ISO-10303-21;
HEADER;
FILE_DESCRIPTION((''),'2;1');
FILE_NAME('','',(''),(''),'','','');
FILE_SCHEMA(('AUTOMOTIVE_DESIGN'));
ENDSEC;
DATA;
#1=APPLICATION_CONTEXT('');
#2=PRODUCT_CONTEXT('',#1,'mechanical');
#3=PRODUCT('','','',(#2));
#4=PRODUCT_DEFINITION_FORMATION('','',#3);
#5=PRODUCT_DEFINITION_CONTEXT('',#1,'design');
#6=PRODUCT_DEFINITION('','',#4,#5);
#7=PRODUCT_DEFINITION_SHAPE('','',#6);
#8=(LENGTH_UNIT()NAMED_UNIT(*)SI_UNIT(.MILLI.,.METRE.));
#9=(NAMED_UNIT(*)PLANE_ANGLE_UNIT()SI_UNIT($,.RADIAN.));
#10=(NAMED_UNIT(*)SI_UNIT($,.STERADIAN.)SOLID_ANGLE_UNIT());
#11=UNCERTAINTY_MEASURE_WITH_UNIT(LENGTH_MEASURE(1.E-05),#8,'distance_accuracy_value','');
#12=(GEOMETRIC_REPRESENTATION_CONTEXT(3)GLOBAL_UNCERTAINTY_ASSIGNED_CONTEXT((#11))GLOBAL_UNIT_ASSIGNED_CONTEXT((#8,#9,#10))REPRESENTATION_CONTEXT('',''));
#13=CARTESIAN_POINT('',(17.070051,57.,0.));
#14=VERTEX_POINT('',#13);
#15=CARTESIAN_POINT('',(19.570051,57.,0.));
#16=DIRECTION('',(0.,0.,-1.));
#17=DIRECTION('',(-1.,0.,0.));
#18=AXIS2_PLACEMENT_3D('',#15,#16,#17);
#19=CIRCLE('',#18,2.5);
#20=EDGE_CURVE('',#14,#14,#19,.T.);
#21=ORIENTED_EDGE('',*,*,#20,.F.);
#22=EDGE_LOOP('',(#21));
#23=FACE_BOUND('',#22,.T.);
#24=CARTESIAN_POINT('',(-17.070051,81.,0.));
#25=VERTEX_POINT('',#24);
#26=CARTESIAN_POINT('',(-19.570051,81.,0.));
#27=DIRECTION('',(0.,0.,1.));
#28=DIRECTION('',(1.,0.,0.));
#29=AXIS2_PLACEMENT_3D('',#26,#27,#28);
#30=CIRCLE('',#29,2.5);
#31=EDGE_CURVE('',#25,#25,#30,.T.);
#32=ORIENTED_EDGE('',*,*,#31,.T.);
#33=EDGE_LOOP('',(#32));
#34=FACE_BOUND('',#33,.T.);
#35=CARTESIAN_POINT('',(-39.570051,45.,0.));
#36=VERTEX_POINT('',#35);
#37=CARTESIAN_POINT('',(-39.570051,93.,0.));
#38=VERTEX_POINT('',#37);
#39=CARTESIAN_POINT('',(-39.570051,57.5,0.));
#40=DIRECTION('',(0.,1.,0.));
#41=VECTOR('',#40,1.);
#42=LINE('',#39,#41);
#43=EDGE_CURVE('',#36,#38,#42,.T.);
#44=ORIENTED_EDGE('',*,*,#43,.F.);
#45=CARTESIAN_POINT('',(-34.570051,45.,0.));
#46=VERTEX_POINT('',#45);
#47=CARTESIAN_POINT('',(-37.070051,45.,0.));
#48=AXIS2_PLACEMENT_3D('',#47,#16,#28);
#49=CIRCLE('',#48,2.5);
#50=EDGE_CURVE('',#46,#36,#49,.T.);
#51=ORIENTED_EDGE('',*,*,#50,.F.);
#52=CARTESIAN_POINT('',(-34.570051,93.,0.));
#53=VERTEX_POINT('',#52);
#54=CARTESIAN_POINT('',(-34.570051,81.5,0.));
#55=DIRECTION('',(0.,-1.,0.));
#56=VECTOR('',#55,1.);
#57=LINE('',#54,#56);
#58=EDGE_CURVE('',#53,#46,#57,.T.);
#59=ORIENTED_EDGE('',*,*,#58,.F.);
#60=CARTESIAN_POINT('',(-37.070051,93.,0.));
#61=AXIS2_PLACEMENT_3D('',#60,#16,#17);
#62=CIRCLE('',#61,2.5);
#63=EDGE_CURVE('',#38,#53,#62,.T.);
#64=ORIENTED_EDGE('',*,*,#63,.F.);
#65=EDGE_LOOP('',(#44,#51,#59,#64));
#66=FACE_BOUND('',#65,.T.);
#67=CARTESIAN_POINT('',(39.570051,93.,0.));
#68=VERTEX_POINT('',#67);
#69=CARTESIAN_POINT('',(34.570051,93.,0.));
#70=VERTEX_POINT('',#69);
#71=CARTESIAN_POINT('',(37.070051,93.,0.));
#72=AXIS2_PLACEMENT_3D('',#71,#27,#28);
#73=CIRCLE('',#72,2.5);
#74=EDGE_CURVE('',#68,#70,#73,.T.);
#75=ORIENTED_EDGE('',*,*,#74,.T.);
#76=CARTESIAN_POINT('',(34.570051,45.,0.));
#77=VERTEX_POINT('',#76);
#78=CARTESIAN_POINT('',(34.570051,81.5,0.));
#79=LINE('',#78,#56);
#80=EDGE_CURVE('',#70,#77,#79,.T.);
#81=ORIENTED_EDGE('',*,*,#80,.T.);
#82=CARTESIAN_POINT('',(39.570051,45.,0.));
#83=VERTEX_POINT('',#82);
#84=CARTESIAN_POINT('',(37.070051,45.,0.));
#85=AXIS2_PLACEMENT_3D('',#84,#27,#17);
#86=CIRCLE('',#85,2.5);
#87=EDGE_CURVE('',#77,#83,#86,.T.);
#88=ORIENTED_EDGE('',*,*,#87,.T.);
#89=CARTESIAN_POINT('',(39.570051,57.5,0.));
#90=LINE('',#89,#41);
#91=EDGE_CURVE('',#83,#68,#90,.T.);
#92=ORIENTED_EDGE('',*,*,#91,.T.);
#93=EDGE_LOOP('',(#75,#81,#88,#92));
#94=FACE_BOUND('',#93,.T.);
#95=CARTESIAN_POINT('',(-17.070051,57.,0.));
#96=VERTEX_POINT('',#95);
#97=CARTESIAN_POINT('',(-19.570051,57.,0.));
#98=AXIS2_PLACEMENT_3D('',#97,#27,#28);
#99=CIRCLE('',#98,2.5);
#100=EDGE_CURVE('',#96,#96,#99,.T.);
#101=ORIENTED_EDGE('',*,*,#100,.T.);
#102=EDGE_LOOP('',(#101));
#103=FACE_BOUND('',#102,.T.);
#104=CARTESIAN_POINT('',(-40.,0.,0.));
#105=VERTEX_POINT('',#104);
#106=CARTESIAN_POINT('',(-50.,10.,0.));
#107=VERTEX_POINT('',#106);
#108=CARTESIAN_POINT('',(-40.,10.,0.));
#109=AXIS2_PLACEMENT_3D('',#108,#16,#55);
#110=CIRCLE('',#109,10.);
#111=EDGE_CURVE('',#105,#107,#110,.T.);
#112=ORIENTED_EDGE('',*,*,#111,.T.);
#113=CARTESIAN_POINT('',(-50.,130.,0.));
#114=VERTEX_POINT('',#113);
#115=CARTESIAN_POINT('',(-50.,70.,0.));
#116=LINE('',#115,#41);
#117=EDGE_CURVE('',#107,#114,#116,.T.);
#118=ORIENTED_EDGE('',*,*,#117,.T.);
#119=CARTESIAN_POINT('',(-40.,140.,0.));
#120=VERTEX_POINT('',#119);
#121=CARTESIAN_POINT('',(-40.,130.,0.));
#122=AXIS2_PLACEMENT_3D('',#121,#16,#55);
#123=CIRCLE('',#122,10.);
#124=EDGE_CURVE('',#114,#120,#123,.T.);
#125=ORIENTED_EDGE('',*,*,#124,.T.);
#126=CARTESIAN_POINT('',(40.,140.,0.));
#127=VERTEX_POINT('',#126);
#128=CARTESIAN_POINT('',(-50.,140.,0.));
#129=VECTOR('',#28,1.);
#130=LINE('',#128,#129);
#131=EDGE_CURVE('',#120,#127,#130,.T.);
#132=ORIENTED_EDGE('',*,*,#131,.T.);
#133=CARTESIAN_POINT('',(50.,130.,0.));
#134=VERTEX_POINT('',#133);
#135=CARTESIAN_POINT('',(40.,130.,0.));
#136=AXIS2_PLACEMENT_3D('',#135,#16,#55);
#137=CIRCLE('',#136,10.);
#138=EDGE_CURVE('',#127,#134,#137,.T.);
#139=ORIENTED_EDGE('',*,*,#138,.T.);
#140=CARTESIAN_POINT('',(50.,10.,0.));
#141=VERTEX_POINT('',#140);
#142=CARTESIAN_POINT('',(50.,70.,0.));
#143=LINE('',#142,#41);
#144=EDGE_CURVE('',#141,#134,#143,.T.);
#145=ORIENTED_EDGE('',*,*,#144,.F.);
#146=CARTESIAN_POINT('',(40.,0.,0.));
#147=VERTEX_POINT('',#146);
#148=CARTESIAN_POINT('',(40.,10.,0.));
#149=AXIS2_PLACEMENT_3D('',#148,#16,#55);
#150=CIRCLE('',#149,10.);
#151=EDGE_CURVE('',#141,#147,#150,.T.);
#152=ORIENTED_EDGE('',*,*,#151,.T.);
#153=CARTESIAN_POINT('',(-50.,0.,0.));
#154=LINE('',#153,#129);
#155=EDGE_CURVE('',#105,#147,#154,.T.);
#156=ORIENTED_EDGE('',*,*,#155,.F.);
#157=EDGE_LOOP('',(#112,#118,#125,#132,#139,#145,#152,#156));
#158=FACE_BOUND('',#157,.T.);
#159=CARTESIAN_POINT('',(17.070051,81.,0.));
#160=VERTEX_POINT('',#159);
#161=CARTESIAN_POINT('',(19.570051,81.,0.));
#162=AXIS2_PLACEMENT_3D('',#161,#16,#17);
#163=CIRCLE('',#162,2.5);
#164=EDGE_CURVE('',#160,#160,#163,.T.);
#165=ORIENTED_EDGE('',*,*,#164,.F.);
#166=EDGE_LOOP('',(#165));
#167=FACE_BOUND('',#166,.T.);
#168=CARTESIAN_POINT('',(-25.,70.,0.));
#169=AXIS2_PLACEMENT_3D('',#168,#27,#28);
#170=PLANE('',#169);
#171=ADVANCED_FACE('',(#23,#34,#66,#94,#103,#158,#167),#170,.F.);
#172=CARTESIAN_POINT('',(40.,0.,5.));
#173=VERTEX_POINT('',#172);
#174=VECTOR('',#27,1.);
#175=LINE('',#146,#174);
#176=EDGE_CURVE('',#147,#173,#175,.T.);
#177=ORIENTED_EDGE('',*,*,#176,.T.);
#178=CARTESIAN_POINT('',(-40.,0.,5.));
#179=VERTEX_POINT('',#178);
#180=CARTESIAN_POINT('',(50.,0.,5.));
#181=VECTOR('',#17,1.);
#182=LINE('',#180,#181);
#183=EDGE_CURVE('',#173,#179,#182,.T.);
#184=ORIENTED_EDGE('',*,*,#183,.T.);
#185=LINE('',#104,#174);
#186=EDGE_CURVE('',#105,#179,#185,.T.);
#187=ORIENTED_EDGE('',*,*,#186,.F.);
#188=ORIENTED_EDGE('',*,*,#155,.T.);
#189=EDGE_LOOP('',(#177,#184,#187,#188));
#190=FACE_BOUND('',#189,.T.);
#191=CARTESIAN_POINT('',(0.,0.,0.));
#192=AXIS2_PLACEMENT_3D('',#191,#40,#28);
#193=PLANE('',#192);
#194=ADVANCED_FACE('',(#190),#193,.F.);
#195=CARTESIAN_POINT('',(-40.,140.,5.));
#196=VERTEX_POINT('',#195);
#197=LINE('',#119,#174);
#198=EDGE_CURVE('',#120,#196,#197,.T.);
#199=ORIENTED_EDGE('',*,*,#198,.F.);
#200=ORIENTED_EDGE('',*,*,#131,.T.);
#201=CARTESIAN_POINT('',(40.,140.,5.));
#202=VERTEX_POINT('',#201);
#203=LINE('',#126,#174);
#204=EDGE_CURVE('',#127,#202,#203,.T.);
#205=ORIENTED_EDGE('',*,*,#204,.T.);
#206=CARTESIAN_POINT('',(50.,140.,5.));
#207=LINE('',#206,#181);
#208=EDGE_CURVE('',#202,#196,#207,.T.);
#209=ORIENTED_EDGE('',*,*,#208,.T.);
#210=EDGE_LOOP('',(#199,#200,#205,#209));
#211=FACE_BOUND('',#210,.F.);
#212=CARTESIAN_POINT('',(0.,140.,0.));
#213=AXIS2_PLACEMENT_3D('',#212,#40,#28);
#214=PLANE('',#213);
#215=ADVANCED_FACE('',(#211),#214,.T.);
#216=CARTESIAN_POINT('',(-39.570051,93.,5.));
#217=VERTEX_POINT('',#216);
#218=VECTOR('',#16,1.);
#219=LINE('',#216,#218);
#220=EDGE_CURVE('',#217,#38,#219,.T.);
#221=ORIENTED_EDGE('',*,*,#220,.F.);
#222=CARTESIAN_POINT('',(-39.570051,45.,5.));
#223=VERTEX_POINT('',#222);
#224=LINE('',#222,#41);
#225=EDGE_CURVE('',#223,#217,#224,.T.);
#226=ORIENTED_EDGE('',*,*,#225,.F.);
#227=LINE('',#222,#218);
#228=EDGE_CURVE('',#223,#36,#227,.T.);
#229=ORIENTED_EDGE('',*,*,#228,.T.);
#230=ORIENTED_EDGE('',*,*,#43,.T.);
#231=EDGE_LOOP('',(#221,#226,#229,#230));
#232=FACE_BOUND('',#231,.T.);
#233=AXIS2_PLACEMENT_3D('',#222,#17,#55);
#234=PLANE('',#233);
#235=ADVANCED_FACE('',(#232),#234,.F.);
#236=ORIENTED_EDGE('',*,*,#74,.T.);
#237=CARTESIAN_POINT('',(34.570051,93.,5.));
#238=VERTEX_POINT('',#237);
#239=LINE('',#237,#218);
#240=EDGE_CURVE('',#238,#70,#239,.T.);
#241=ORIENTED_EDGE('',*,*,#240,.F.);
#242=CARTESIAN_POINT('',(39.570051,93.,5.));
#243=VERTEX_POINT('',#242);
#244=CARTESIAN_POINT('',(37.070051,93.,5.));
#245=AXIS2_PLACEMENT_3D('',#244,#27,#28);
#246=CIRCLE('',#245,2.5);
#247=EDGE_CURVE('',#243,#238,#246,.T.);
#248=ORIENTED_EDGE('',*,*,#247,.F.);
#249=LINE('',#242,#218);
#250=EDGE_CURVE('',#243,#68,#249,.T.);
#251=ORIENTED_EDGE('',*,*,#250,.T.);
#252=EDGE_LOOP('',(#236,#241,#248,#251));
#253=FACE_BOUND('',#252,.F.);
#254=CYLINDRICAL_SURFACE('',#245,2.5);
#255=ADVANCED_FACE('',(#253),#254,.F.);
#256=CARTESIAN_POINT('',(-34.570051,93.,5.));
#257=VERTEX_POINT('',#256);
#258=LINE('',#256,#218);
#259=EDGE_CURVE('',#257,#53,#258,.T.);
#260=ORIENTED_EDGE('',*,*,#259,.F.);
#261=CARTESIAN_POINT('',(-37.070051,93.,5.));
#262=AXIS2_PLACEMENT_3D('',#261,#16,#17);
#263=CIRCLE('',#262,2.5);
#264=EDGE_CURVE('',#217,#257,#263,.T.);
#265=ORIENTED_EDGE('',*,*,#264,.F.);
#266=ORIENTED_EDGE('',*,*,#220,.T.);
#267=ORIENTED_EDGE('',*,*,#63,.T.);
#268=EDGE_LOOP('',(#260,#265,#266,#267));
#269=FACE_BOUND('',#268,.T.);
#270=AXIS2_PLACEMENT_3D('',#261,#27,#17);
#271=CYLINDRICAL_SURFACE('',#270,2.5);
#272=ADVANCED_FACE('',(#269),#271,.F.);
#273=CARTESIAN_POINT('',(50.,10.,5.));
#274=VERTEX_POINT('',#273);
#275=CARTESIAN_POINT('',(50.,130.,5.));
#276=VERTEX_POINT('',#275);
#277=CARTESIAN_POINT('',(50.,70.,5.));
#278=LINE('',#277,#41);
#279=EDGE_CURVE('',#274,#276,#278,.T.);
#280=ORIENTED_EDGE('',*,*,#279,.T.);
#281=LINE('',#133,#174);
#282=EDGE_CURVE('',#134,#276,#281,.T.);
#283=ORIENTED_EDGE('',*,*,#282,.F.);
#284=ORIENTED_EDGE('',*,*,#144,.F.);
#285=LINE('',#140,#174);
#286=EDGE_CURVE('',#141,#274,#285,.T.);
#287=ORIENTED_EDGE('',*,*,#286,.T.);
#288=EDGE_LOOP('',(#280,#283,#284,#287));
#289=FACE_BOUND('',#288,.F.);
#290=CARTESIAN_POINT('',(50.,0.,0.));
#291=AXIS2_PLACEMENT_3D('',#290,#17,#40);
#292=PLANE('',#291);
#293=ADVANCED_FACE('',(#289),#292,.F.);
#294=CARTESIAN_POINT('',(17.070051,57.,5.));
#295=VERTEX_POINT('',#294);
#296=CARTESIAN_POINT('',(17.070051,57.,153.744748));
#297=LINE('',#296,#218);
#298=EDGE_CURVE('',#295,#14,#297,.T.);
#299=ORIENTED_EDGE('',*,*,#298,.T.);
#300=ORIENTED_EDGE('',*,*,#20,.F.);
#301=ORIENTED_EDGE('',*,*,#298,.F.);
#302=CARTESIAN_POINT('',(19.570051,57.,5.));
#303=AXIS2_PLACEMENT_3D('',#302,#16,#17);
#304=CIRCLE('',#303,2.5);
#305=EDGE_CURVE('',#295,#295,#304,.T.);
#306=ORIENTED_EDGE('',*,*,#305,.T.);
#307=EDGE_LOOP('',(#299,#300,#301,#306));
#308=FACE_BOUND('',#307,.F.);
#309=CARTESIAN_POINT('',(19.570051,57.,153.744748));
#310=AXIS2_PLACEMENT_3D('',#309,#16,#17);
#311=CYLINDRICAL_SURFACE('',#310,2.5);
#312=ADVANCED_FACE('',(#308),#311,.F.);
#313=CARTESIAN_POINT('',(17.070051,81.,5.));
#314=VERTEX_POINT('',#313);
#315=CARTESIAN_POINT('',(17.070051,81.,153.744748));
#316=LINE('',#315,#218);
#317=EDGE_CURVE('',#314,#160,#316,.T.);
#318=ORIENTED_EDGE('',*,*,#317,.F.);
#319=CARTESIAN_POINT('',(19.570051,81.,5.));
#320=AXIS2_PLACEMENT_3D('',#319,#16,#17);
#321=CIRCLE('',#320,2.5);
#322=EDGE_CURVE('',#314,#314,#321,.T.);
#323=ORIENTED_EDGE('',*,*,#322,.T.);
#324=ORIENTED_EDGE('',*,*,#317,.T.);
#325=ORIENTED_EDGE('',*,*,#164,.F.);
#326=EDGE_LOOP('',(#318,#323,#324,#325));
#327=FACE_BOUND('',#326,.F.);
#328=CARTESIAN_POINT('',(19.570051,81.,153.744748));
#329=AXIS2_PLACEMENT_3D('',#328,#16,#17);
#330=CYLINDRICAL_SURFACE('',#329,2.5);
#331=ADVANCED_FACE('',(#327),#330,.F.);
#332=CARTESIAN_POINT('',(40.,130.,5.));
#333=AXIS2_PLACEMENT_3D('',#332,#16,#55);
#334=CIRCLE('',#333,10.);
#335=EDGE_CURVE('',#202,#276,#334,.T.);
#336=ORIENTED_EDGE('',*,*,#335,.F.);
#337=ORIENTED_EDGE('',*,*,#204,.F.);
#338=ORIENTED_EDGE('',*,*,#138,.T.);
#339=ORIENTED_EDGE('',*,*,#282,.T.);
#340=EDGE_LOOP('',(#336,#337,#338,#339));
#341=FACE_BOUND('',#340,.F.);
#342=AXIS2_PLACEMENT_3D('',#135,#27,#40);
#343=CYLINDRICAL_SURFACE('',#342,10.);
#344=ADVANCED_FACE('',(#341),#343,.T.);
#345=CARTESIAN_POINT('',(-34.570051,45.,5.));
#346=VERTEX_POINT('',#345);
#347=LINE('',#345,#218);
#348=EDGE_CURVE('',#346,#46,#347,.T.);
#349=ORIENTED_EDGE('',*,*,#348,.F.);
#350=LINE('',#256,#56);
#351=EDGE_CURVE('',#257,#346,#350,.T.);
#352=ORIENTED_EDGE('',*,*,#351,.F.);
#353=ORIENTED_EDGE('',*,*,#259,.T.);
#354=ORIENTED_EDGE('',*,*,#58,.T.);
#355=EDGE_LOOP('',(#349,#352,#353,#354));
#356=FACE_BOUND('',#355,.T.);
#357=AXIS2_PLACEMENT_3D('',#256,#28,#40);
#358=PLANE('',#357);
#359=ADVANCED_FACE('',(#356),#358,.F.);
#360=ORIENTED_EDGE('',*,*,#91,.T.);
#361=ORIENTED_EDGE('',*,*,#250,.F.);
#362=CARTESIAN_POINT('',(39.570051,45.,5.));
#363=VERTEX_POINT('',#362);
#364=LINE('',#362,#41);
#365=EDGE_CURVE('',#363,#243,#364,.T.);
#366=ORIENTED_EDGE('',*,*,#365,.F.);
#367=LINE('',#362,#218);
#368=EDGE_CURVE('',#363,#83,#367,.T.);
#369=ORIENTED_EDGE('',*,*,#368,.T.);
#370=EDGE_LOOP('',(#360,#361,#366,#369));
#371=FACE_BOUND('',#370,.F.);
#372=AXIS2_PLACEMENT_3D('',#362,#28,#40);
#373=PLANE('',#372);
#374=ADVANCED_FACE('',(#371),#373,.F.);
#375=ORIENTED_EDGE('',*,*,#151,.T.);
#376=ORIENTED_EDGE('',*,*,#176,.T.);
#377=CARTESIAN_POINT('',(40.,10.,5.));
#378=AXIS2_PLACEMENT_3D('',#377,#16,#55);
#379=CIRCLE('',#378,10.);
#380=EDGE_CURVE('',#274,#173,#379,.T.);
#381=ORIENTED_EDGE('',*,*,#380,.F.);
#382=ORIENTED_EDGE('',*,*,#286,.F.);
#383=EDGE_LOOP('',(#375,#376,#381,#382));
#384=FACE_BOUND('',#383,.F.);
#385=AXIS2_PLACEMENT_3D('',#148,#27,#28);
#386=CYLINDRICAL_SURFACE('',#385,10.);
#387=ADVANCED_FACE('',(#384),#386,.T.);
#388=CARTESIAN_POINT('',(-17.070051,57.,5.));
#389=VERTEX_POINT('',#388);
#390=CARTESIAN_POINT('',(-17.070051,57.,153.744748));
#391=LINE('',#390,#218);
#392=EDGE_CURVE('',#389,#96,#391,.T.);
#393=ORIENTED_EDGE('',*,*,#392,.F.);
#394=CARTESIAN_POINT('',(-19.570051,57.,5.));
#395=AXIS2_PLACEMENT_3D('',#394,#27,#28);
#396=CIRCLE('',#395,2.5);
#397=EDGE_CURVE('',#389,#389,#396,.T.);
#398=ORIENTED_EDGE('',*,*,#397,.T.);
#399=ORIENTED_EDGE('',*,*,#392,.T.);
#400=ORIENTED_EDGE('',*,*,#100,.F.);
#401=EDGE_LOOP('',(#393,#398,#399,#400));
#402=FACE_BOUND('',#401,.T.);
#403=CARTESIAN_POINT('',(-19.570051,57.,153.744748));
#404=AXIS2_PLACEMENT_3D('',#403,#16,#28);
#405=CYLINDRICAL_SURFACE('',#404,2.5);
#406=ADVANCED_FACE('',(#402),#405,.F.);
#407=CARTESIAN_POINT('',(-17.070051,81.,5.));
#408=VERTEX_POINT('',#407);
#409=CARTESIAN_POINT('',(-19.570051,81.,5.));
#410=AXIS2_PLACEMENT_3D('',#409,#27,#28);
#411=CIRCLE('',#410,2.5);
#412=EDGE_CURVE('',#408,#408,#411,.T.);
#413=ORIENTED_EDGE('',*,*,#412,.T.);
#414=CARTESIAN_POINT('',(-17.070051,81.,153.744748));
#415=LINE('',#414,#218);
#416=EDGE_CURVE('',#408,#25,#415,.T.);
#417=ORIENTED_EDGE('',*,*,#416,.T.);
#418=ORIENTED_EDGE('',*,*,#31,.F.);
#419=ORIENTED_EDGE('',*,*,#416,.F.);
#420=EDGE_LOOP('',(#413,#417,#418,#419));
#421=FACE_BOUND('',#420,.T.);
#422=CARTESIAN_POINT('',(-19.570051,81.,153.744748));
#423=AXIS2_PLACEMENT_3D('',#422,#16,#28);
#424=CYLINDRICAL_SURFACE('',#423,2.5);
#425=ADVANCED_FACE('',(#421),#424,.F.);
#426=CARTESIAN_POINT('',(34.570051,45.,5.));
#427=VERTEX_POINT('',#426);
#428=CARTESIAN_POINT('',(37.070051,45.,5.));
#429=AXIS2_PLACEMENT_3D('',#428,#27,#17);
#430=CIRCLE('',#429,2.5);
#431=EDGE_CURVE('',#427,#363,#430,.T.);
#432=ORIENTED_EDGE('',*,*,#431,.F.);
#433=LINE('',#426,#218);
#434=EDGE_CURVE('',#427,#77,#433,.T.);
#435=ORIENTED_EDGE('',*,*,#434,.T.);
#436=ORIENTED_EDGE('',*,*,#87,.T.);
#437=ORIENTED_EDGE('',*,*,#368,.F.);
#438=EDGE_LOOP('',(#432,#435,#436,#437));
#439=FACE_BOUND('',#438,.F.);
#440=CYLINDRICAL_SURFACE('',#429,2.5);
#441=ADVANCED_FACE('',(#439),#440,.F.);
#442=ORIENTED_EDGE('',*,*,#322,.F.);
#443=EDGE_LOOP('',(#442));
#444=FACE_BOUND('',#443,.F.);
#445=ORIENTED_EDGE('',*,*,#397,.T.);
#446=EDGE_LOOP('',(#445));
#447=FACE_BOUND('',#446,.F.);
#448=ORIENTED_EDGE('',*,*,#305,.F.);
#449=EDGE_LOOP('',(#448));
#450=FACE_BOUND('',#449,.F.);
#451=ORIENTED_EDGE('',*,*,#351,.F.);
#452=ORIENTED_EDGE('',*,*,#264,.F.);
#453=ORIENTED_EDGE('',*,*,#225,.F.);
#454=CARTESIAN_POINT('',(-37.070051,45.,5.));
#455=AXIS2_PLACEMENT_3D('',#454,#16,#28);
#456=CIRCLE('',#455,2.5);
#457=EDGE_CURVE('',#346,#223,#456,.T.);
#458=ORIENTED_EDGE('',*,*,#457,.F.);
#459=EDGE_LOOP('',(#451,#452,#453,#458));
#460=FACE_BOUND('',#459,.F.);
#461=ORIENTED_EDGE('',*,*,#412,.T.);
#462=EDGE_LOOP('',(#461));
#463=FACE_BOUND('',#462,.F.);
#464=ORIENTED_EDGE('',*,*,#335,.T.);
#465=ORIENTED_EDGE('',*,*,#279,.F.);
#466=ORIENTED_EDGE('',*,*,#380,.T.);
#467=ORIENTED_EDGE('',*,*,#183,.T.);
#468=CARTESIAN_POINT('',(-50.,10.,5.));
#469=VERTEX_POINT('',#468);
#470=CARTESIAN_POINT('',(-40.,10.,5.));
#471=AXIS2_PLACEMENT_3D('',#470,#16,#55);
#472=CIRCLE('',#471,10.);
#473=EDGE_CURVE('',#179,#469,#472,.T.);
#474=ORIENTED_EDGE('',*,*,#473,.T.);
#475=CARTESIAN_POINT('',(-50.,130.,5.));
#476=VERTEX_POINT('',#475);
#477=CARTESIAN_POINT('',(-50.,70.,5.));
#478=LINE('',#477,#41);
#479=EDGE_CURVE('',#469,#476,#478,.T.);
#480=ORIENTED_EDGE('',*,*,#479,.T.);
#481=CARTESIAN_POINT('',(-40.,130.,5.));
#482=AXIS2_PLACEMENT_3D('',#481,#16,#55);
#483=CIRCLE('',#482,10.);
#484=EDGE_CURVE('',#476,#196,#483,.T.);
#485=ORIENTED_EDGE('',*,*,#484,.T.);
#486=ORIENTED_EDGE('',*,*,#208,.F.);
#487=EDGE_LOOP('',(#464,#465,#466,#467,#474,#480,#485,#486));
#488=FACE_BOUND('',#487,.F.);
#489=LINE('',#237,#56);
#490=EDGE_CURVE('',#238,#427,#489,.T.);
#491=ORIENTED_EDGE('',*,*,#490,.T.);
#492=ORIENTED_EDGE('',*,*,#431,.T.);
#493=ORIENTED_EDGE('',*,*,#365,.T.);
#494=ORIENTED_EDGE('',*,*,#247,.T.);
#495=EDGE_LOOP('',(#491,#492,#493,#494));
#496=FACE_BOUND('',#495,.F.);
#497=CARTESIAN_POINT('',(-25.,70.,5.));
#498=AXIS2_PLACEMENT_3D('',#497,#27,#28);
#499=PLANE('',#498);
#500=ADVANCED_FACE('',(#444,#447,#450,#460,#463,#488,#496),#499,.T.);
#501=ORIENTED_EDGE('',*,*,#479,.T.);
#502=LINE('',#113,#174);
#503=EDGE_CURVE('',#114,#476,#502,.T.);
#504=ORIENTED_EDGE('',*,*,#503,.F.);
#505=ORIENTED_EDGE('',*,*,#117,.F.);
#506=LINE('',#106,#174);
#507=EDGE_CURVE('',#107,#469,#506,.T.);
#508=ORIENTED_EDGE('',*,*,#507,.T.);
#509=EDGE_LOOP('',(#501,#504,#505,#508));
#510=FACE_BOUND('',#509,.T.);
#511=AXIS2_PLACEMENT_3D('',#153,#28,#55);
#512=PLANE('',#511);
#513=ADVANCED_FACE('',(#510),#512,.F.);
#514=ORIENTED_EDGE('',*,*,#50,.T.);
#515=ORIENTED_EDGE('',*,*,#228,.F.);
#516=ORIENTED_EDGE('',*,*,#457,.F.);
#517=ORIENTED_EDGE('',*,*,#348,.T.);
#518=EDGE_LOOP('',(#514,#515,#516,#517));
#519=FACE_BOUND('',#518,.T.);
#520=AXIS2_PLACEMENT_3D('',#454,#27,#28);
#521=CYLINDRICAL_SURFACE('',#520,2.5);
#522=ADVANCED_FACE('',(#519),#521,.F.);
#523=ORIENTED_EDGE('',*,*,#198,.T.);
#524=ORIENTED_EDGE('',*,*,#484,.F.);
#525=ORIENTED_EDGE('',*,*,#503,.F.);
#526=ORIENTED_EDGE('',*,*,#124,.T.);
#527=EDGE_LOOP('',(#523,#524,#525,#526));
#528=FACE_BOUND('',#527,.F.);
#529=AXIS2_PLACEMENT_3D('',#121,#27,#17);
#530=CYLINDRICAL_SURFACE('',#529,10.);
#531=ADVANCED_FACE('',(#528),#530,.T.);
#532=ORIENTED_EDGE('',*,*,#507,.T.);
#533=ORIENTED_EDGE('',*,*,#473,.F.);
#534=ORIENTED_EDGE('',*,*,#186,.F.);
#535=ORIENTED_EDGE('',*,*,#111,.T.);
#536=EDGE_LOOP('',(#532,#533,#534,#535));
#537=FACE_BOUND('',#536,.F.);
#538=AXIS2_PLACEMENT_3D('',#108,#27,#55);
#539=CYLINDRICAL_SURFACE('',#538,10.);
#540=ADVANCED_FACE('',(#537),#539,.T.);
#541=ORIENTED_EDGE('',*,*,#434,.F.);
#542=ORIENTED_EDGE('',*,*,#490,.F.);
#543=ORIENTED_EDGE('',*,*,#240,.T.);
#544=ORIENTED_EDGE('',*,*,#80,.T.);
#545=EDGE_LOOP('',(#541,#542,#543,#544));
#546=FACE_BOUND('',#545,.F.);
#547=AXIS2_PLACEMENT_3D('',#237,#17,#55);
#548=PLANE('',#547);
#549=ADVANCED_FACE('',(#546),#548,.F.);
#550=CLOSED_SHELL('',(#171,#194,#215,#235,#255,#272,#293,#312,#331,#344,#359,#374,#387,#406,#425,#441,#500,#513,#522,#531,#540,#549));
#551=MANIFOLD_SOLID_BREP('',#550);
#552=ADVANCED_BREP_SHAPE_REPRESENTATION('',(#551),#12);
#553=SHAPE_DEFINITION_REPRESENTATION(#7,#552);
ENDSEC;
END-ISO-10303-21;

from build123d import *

# Parameters (mm, degrees)
F0_W     = 50
F0_H     = 140
F1_DEPTH = 5
F4_DEPTH = 62.609963119
F6_D     = 5
F8_R     = 10
F9_R     = 10
F10_R    = 10
F11_R    = 10


with BuildPart() as f1:
    # F0 (on Top) → F1 (new body)
    with BuildSketch(Plane.XY):
        with Locations((25, 70)):
            Rectangle(F0_W, F0_H)
    extrude(amount=F1_DEPTH)

    # F3 (on face) → F4 (cut)
    with BuildSketch(Plane.XY.offset(5)):
        with BuildLine():
            ThreePointArc((34.5700508356, 45), (37.0700508356, 42.5), (39.5700508356, 45))
            Line((39.5700508356, 45), (39.5700508356, 93))
            ThreePointArc((39.5700508356, 93), (37.0700508356, 95.5), (34.5700508356, 93))
            Line((34.5700508356, 93), (34.5700508356, 45))
        make_face()
    extrude(amount=-F4_DEPTH, mode=Mode.SUBTRACT)

    # F6 (through all)
    with Locations(Plane.XY.offset(5)):
        with Locations((19.5700508356, 57), (19.5700508356, 81)):
            Hole(F6_D / 2)

    # F7: F1 across plane


with BuildPart() as f1_1:
    add(f1.part)
    add(f1.part.mirror(Plane.YZ))

    # F8
    f8_edges = [f1_1.edges().sort_by_distance(p)[0] for p in [
        (50, 140, 2.5),
    ]]
    fillet(f8_edges, radius=F8_R)

    # F9
    f9_edges = [f1_1.edges().sort_by_distance(p)[0] for p in [
        (50, 0, 2.5),
    ]]
    fillet(f9_edges, radius=F9_R)

    # F10
    f10_edges = [f1_1.edges().sort_by_distance(p)[0] for p in [
        (-50, 0, 2.5),
    ]]
    fillet(f10_edges, radius=F10_R)

    # F11
    f11_edges = [f1_1.edges().sort_by_distance(p)[0] for p in [
        (-50, 140, 2.5),
    ]]
    fillet(f11_edges, radius=F11_R)


solid = f1_1.part
